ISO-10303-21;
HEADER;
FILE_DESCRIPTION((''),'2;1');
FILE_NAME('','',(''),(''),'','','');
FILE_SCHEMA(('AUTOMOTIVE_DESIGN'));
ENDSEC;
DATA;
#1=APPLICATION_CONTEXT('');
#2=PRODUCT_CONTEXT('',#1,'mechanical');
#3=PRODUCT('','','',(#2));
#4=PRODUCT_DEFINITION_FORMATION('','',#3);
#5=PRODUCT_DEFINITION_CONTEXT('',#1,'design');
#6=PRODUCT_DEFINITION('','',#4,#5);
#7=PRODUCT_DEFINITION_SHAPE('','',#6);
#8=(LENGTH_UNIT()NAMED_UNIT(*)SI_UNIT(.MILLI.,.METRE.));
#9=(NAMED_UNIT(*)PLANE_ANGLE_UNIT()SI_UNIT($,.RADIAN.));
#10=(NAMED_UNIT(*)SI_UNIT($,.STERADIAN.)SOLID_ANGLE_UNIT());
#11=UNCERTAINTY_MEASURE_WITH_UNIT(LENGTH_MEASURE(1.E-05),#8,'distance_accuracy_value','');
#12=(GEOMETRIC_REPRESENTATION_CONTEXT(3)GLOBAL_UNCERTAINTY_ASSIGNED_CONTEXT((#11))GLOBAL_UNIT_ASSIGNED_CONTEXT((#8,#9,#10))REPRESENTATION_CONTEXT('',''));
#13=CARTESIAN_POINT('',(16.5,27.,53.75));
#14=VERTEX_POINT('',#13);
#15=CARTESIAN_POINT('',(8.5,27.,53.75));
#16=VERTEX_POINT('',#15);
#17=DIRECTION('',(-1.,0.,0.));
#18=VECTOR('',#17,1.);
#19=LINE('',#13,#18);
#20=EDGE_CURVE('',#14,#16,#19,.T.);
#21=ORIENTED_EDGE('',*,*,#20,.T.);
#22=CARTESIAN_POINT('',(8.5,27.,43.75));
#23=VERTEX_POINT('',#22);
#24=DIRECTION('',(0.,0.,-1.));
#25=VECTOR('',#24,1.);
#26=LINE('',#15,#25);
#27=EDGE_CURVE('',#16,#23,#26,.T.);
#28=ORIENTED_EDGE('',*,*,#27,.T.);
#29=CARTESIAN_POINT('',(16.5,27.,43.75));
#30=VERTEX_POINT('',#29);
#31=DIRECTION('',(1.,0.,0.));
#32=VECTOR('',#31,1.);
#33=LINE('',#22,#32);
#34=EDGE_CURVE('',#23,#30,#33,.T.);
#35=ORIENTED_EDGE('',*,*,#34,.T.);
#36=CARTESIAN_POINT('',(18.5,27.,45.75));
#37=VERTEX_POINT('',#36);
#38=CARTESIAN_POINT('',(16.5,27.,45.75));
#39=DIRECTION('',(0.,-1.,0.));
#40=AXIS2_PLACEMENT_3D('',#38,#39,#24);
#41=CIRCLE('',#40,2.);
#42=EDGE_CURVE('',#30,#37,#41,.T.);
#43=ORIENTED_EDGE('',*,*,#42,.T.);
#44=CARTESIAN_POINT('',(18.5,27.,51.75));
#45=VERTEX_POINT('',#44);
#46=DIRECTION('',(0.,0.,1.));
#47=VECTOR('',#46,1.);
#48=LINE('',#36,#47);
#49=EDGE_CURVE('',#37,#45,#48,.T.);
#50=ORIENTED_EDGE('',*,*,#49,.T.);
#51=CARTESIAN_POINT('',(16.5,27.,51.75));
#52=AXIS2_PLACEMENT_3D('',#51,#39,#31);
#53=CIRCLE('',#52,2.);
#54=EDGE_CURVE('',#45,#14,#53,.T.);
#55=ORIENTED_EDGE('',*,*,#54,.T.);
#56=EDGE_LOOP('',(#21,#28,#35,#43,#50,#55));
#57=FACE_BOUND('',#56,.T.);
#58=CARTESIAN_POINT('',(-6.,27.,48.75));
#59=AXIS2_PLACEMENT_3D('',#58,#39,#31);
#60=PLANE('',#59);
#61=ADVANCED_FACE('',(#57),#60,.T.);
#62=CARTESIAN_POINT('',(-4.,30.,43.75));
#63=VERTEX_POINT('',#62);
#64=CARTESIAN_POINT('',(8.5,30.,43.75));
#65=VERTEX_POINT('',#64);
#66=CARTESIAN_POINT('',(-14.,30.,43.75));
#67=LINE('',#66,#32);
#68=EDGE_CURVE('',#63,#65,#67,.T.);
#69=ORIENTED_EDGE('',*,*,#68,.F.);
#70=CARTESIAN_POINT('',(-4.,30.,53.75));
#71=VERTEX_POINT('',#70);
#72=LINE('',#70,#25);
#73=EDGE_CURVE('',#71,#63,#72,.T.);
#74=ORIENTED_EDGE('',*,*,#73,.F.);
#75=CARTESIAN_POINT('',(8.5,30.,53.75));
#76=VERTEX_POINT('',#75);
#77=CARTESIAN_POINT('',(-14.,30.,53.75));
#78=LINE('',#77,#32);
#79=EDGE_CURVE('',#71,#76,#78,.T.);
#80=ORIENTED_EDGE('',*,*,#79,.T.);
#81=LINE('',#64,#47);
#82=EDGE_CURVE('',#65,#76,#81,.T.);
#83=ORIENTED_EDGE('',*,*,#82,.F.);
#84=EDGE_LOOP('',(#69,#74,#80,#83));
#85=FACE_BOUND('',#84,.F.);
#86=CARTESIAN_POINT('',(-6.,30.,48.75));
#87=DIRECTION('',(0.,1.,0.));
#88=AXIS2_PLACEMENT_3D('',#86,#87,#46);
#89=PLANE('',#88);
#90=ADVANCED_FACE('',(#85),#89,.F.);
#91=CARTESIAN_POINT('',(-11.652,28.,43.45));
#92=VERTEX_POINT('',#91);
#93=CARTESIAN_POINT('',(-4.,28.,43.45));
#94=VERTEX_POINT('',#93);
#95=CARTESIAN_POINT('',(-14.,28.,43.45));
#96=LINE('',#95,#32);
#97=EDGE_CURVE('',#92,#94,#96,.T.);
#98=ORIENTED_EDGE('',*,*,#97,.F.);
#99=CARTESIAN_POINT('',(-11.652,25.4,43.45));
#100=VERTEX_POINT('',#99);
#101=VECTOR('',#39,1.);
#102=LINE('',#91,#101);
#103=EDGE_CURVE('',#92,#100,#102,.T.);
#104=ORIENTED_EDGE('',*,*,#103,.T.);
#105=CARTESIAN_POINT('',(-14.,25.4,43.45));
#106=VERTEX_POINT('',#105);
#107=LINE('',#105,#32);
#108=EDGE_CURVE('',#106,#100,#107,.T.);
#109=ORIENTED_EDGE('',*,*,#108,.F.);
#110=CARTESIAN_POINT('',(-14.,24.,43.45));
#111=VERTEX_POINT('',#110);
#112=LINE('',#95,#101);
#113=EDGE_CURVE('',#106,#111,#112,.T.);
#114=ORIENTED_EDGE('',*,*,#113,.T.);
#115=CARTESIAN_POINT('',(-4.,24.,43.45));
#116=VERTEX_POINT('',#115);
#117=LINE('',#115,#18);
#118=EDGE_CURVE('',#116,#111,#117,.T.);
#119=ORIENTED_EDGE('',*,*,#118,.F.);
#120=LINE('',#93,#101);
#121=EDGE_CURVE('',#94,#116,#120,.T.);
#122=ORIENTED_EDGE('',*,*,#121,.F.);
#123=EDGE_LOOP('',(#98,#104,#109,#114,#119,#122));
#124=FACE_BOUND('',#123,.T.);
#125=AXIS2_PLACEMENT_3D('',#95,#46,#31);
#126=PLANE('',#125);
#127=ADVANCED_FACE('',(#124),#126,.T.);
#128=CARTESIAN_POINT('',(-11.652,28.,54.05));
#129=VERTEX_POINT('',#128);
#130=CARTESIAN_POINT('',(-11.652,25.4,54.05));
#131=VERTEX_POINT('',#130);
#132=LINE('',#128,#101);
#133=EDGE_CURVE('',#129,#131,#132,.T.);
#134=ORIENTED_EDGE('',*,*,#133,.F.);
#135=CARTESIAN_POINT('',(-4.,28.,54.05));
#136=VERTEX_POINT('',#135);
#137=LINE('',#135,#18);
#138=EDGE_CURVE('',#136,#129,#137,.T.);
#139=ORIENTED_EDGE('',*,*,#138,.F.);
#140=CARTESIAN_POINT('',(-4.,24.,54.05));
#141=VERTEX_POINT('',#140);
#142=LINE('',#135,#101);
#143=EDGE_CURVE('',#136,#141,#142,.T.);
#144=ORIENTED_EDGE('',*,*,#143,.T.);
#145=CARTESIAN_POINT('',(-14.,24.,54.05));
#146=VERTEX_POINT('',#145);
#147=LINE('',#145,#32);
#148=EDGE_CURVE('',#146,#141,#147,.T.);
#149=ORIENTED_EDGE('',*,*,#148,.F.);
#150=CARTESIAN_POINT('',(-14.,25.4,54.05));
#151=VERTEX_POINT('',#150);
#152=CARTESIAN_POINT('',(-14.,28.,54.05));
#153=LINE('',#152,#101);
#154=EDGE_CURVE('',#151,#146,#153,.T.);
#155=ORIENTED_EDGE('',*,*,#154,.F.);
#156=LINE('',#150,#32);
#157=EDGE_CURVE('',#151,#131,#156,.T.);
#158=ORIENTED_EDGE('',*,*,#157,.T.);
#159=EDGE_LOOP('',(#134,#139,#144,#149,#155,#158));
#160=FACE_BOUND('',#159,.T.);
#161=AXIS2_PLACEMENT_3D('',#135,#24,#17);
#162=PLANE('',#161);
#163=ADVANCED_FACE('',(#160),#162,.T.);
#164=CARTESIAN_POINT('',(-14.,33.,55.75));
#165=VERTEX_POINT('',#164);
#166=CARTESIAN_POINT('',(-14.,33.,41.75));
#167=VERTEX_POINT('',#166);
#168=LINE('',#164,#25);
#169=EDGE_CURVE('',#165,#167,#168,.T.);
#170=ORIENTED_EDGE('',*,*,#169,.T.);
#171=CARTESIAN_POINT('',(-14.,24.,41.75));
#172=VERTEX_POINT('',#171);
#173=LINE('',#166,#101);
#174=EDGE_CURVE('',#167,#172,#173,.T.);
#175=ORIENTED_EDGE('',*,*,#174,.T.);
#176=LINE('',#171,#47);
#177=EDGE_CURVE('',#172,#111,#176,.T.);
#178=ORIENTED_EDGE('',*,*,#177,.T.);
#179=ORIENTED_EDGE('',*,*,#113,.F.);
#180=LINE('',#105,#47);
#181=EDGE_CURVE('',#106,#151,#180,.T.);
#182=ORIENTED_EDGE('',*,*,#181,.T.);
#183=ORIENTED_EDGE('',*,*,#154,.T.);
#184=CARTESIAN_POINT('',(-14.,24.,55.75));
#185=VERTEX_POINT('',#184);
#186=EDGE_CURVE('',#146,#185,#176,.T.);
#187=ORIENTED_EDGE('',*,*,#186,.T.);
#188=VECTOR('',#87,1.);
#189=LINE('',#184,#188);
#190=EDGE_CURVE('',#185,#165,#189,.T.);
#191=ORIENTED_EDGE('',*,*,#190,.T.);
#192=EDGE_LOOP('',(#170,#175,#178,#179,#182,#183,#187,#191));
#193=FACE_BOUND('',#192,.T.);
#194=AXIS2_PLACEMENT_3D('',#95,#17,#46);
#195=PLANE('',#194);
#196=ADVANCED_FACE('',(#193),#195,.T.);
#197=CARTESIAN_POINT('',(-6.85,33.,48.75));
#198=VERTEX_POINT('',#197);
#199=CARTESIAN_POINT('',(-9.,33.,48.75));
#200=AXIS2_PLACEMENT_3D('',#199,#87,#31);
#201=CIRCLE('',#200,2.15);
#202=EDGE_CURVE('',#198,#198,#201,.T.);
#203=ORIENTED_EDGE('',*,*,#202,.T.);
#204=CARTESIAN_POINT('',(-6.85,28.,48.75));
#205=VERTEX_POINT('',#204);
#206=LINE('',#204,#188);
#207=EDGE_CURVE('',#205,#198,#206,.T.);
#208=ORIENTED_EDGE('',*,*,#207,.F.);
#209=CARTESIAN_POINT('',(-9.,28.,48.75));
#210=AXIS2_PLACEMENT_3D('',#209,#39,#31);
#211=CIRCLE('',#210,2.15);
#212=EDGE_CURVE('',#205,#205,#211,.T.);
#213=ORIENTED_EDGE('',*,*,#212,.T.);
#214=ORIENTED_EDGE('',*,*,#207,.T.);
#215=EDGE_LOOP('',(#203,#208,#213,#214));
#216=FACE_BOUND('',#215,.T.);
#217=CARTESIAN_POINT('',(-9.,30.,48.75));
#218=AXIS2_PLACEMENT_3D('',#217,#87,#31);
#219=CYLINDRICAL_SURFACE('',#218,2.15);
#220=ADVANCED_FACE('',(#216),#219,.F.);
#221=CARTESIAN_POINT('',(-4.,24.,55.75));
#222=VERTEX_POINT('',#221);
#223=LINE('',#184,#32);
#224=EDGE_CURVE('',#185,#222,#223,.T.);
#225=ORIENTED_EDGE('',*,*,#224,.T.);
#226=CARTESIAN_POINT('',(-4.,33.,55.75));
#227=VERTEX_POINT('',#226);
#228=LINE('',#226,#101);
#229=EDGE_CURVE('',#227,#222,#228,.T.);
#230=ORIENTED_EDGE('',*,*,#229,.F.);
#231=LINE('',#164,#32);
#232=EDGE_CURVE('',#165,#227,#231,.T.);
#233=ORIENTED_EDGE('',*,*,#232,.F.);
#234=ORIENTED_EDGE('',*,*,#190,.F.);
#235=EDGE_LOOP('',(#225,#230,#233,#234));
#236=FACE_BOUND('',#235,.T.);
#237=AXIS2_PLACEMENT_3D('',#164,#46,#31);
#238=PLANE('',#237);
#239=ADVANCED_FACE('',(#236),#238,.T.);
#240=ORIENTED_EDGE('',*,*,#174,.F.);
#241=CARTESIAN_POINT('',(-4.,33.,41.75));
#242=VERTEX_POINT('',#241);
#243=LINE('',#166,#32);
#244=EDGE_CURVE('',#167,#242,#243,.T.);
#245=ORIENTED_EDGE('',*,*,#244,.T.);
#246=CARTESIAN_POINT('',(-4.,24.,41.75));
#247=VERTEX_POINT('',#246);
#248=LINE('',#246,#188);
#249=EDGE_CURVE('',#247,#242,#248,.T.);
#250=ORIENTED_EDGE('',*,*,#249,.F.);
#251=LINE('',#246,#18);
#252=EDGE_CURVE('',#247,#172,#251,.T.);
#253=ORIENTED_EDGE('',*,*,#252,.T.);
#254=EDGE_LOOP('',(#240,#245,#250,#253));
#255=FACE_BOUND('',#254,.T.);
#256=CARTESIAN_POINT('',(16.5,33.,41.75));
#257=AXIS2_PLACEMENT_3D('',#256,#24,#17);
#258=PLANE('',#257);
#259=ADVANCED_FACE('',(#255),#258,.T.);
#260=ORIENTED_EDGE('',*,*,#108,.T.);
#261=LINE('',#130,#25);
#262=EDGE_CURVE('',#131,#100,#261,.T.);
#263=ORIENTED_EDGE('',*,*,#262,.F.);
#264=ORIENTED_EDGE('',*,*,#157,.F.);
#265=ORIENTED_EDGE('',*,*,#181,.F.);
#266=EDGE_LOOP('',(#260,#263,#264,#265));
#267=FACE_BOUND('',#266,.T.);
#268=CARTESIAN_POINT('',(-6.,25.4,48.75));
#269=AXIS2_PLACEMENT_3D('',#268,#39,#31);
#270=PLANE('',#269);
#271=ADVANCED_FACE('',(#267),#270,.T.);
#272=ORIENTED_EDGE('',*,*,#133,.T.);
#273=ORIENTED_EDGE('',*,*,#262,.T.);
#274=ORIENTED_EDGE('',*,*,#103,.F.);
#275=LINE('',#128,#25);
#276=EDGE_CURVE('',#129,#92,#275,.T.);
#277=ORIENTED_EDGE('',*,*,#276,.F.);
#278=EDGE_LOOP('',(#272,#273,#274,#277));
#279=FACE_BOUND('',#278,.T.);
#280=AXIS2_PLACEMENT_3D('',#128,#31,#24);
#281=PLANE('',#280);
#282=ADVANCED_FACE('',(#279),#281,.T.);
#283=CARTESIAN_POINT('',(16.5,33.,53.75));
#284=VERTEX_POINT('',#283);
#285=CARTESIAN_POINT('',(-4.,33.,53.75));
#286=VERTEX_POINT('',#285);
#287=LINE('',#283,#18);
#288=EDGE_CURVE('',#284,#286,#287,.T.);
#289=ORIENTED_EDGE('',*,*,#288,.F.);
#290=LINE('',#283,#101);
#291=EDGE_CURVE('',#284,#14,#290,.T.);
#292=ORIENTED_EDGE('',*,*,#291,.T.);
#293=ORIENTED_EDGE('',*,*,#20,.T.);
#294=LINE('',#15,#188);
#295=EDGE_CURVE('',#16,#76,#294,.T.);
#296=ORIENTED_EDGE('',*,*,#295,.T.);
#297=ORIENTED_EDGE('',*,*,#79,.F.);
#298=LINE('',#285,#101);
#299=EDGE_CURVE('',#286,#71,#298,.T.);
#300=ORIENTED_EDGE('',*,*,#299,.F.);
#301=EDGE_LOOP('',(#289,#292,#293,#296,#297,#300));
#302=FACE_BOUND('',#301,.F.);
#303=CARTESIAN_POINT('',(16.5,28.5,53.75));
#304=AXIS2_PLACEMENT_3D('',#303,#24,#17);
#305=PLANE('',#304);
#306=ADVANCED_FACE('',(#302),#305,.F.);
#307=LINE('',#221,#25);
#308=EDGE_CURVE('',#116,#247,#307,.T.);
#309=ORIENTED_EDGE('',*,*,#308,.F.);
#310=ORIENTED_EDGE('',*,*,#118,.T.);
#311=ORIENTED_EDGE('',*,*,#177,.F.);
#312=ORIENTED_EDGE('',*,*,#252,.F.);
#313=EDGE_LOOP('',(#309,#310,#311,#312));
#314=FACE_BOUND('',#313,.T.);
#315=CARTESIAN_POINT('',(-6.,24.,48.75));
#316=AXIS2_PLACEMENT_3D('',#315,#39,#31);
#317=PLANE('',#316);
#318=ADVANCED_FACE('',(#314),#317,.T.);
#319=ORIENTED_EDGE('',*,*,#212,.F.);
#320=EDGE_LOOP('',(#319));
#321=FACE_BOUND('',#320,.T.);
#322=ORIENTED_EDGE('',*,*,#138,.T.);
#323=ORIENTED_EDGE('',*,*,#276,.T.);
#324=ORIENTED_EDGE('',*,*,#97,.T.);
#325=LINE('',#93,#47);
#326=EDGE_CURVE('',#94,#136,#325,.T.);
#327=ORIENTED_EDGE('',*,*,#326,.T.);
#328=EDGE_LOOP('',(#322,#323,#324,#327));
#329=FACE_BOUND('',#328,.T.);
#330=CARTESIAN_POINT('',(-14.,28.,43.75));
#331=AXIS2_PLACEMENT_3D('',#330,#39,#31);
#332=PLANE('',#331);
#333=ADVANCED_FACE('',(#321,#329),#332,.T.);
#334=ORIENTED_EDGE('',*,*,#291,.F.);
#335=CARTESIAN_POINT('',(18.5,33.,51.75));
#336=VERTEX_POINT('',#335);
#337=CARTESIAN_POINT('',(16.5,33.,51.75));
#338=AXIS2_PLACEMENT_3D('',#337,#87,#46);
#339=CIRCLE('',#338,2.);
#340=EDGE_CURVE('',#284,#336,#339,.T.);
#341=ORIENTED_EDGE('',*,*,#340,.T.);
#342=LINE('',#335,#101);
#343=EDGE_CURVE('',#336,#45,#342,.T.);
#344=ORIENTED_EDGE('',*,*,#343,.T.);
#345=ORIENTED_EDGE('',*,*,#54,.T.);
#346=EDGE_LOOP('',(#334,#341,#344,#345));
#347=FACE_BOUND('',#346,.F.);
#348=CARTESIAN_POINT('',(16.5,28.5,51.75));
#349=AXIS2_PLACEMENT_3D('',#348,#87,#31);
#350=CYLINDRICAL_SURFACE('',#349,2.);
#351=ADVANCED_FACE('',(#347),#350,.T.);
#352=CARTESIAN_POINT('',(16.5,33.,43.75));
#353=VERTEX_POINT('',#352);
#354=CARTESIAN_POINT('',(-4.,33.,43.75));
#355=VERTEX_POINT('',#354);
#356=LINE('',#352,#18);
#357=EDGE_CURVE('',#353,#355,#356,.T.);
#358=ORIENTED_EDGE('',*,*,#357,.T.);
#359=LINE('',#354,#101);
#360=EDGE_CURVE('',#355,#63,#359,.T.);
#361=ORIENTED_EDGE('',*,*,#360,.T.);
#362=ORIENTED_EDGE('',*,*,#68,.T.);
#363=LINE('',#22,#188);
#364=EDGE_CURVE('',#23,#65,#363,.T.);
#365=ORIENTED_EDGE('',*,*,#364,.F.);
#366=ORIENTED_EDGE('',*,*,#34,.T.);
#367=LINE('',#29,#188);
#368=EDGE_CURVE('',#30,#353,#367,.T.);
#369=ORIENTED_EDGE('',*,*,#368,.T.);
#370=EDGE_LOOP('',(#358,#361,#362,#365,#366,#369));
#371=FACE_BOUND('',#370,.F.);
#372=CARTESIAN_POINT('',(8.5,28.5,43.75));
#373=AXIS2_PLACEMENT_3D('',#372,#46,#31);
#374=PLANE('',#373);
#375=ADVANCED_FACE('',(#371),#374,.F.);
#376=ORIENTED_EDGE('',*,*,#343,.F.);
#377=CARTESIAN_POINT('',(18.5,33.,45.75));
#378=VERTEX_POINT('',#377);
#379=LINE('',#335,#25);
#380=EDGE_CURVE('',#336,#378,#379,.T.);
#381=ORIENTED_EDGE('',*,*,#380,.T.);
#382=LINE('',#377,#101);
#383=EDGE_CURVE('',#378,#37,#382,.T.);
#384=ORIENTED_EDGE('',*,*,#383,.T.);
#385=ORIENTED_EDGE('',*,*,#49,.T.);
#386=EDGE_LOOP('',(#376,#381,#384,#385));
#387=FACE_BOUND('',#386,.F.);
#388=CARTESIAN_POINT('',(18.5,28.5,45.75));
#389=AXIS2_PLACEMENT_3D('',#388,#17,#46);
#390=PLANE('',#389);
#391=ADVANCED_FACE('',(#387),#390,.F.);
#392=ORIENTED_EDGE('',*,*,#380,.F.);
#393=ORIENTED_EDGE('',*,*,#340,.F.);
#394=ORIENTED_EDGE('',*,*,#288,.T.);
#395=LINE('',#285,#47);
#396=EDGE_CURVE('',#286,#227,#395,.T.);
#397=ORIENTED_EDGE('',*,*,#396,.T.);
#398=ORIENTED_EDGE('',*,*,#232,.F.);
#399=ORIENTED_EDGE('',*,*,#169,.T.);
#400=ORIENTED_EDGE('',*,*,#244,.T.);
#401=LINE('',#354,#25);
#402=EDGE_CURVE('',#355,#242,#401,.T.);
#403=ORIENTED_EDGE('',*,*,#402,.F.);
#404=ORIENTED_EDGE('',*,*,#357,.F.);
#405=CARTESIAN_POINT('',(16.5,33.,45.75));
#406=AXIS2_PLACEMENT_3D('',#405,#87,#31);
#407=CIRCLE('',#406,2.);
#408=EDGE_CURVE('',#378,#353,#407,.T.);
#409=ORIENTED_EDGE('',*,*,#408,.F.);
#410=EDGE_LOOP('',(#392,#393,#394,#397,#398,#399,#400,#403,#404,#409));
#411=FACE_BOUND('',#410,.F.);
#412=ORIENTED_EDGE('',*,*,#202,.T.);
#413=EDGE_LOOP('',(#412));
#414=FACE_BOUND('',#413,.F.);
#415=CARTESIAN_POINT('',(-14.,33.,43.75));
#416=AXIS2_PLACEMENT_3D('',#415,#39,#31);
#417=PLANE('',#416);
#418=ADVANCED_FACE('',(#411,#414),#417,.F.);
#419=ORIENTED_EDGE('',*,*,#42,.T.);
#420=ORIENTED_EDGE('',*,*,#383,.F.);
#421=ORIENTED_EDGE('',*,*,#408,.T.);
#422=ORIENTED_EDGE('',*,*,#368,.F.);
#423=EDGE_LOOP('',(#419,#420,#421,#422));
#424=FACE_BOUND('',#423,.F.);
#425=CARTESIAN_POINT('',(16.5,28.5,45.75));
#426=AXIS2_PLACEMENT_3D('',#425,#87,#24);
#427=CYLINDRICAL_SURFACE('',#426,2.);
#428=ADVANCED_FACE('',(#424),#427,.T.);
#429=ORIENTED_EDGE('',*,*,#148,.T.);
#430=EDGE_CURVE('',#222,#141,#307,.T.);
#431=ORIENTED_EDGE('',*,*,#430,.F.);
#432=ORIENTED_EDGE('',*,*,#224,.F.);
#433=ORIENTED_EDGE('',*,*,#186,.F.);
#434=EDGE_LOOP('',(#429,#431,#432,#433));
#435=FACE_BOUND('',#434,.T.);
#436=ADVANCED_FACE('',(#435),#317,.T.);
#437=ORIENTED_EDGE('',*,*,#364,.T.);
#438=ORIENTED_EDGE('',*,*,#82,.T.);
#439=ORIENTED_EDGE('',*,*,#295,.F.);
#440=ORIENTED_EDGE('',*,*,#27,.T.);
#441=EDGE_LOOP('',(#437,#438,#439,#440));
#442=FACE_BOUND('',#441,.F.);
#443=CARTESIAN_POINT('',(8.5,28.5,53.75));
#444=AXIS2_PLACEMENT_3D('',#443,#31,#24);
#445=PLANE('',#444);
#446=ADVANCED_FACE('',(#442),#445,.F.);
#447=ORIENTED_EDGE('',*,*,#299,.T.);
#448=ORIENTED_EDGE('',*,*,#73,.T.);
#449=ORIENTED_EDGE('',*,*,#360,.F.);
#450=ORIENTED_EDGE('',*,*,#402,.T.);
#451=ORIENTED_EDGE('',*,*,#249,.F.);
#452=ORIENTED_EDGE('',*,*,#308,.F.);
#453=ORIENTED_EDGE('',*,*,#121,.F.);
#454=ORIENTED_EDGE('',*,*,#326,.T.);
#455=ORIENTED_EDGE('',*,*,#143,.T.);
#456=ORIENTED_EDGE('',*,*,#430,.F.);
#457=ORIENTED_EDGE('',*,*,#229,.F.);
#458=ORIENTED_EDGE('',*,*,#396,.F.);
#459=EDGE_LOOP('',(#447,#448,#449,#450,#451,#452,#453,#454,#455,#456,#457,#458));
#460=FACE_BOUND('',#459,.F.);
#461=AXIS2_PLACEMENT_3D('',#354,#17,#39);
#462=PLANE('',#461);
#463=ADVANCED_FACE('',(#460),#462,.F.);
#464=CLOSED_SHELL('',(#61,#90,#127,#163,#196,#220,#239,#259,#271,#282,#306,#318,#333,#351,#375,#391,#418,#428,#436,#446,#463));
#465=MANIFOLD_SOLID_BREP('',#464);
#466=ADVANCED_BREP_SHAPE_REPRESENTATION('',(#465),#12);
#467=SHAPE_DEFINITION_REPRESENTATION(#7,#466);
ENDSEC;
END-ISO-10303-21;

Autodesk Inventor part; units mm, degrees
ref_plane "YZ Plane" through (0, 0, 0) normal (1, 0, 0) x (0, 1, 0)
ref_plane "XZ Plane" through (0, 0, 0) normal (0, 1, 0) x (-1, 0, 0)
ref_plane "Work Plane1" through (-6, 33, 48.75) normal (0, 1, 0) x (0, 0, 1)
sketch "Sketch1" plane through (-6, 33, 48.75) normal (0, 1, 0) x (0, 0, 1)
  arc A0 (5, 22.5) -> (3, 24.5) centre (3, 22.5) ccw projected
  line L0 (3, 24.5) -> (-3, 24.5) projected
  arc A1 (-3, 24.5) -> (-5, 22.5) centre (-3, 22.5) ccw projected
  line L1 (-5, 22.5) -> (-5, 14.5) projected
  line L2 (5, 14.5) -> (5, 22.5) projected
  line L3 (5, 4.5) -> (5, 14.5) projected
  line L4 (-5, 4.5) -> (-5, 14.5) projected
  line L5 (-5, 14.5) -> (5, 14.5) projected
  line L6 (5, -8) -> (-5, -8) projected
  line L7 (-5, 2) -> (-5, -8) projected
  line L8 (5, 2) -> (5, -8) projected
  line L9 (-5, 4.6724) -> (-5, 1.6802)
  line L10 (5, 1.6802) -> (5, 5.5636)
  point P0 (-48.75, 6)
extrude "Extrusion1" add sketch "Sketch1" against normal blind 3
sketch "Sketch2" plane through (-6, 30, 48.75) normal (0, -1, 0) x (1, 0, 0)
  line L0 (24.5, -3) -> (24.5, 3) projected
  arc A0 (24.5, 3) -> (22.5, 5) centre (22.5, 3) ccw projected
  line L1 (22.5, 5) -> (-8, 5) projected
  line L2 (-8, -5) -> (22.5, -5) projected
  arc A1 (22.5, -5) -> (24.5, -3) centre (22.5, -3) ccw projected
  line L3 (14.5, -5) -> (14.5, 5) projected
  point P0 (6, -48.75)
extrude "Extrusion2" add sketch "Sketch2" along normal blind 1.5
sketch "Sketch3" plane through (-6, 30, 48.75) normal (0, -1, 0) x (1, 0, 0)
  line L0 (-8, 5) -> (-8, -5) projected
  circle A0 centre (-3, 0) radius 2.15 projected
  line L1 (2, 5) -> (-8, 5) projected
  line L2 (2, 5) -> (2, -5) projected
  line L3 (2, -5) -> (-8, -5) projected
  line L4 (-8, 5) -> (-8, -5) projected
  point P0 (6, -48.75)
extrude "Extrusion3" add sketch "Sketch3" along normal blind 2
sketch "Sketch4" plane through (-14, 33, 53.75) normal (0, 0, 1) x (1, 0, 0)
  line L0 (0, 0) -> (10, 0)
  line L1 (10, 0) -> (10, -5)
  line L2 (10, -5) -> (0, -5)
  line L3 (0, -5) -> (0, 0)
  point P0 (14, -33)
extrude "Extrusion4" add sketch "Sketch4" along normal blind 2
sketch "Sketch5" plane through (16.5, 33, 43.75) normal (0, 0, -1) x (-1, 0, 0)
  line L0 (30.5, -5) -> (20.5, -5) projected
  line L1 (30.5, 0) -> (30.5, -5) projected
  line L2 (30.5, 0) -> (20.5, 0)
  line L3 (20.5, 0) -> (20.5, -5)
  line L4 (20.5, -5) -> (30.5, -5)
  line L5 (30.5, -5) -> (30.5, 0)
  point P0 (16.5, -33)
extrude "Extrusion5" add sketch "Sketch5" along normal blind 2
sketch "Sketch6" plane through (-6, 33, 48.75) normal (0, 1, 0) x (1, 0, 0)
  circle A0 centre (-3, 0) radius 2.15 projected
  point P0 (6, 48.75)
extrude "Extrusion6" cut sketch "Sketch6" against normal up to next
sketch "Sketch7" plane through (-6, 28, 48.75) normal (0, -1, 0) x (1, 0, 0)
  line L0 (-8, -7) -> (-8, 7) projected
  line L1 (2, -7) -> (-8, -7) projected
  line L2 (2, 7) -> (2, -7) projected
  line L3 (-8, 7) -> (2, 7) projected
  line L4 (2, -5) -> (-8, -5) projected
  line L5 (2, 5) -> (-8, 5) projected
  point P0 (6, -48.75)
extrude "Extrusion7" add sketch "Sketch7" along normal blind 4 contours L0 L4 L2 L1 | L0 L3 L2 L5
sketch "Sketch8" plane through (-14, 28, 43.75) normal (0, 0, 1) x (1, 0, 0)
  line L0 (0, 0) -> (10, 0) projected
  line L1 (0, 0) -> (0, -4) projected
  line L2 (10, -4) -> (0, -4) projected
  line L3 (10, 0) -> (10, -4) projected
  point P0 (14, -28)
extrude "Extrusion8" cut sketch "Sketch8" against normal blind 0.3
sketch "Sketch9" plane through (-4, 28, 53.75) normal (0, 0, -1) x (-1, 0, 0)
  line L0 (0, 0) -> (10, 0) projected
  line L1 (0, 0) -> (0, -4) projected
  line L2 (10, -4) -> (0, -4) projected
  line L3 (10, 0) -> (10, -4) projected
  point P0 (-4, -28)
extrude "Extrusion9" cut sketch "Sketch9" against normal blind 0.3
sketch "Sketch10" plane through (-6, 28.5, 48.75) normal (0, -1, 0) x (1, 0, 0)
  line L0 (24.5, -3) -> (24.5, 3) projected
  arc A0 (24.5, 3) -> (22.5, 5) centre (22.5, 3) ccw projected
  line L1 (22.5, 5) -> (14.5, 5) projected
  line L2 (14.5, 5) -> (14.5, -5) projected
  line L3 (14.5, -5) -> (22.5, -5) projected
  arc A1 (22.5, -5) -> (24.5, -3) centre (22.5, -3) ccw projected
  point P0 (6, -48.75)
extrude "Extrusion10" add sketch "Sketch10" along normal blind 1.5
sketch "Sketch11" plane through (-6, 28, 48.75) normal (0, -1, 0) x (1, 0, 0)
  line L0 (-8, -5.3) -> (-8, 5.3) projected
  line L1 (-8, -5.3) -> (2, -5.3) projected
  line L2 (-8, 5.3) -> (-5.652, 5.3)
  line L3 (-5.652, 5.3) -> (-5.652, -5.3)
  line L4 (-5.652, -5.3) -> (-8, -5.3)
  line L5 (-8, -5.3) -> (-8, 5.3)
  point P0 (6, -48.75)
extrude "Extrusion11" add sketch "Sketch11" along normal blind 2.6
properties part number "CradleTop"
